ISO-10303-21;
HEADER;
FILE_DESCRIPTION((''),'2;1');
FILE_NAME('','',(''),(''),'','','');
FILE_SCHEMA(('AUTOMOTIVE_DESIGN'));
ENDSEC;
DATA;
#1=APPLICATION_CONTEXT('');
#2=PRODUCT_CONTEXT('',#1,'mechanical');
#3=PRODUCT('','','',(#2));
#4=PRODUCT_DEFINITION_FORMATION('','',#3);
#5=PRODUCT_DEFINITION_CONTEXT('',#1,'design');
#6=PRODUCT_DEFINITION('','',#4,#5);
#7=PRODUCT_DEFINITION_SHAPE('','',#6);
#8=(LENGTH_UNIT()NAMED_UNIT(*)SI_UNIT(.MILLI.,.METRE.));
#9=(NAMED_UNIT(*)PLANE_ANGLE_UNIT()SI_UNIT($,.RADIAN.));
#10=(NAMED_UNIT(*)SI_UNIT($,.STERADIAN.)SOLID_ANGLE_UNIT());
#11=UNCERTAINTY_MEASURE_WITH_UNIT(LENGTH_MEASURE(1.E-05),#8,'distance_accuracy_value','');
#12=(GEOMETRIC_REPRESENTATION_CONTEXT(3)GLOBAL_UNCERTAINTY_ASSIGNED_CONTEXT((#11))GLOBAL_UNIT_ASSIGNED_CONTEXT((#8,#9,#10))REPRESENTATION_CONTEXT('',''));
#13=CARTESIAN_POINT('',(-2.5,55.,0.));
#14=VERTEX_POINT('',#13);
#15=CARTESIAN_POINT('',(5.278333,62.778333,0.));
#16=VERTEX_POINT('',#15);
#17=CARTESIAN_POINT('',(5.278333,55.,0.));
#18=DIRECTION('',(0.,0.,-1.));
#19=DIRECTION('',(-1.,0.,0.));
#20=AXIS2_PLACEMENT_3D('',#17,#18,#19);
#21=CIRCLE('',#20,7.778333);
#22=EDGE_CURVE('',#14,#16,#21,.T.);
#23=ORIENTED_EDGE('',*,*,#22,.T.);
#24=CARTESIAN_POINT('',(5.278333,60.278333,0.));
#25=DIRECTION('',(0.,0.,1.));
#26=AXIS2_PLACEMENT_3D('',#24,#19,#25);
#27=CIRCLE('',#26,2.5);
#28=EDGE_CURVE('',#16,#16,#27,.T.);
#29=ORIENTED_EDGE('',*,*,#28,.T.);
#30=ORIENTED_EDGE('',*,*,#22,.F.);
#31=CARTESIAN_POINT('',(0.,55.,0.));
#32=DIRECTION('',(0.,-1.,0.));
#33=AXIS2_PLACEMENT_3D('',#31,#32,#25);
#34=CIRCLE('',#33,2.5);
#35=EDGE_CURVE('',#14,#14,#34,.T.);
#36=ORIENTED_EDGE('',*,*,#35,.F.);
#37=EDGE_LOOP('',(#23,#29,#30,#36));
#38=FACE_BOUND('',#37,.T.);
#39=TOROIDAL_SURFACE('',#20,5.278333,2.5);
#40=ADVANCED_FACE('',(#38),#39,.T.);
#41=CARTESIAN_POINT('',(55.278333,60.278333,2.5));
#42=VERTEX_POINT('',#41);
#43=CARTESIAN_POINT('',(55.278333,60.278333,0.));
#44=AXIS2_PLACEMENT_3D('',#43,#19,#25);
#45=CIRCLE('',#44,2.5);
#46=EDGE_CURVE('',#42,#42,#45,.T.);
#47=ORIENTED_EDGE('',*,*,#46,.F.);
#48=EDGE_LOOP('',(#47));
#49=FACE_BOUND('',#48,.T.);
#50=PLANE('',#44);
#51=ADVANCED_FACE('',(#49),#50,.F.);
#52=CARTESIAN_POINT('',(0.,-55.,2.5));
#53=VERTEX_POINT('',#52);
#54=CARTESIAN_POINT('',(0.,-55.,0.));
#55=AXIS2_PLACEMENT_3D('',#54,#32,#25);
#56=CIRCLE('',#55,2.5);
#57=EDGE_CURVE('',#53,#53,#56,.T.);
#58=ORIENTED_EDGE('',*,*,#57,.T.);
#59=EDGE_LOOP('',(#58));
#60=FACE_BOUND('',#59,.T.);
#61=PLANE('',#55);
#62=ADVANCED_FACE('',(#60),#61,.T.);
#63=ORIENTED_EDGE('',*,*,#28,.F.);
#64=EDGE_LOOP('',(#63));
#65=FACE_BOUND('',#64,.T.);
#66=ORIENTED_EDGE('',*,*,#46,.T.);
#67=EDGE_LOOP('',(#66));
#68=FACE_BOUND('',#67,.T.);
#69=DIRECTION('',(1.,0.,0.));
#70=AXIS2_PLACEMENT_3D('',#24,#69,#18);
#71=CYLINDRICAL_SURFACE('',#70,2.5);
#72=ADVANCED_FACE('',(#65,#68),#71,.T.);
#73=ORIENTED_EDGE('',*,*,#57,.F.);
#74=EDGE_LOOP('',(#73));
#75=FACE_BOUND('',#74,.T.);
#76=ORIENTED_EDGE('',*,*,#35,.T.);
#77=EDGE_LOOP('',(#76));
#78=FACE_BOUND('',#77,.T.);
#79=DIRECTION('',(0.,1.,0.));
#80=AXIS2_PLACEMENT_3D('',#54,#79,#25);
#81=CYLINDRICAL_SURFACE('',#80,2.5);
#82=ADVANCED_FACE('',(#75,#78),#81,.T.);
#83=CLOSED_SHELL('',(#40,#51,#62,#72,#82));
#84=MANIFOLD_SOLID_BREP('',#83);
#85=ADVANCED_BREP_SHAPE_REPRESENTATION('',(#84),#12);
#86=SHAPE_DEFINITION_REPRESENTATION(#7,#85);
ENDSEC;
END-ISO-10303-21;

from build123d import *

# Parameters (mm, degrees)
VARREDURA1_PROFILE_R = 2.5


with BuildPart() as part:
    # Varredura1: sweep along a path in Esboço1
    with BuildLine(Plane.XY) as varredura1_path:
        Line((0, -55), (0, 55))
        ThreePointArc((0, 55), (1.545987988, 58.732345167), (5.278333155, 60.278333155))
        Line((5.278333155, 60.278333155), (55.278333155, 60.278333155))
    # Varredura1 profile (on start of the path) → Varredura1 (sweep)
    with BuildSketch(Plane.ZX.offset(-55)):
        Circle(VARREDURA1_PROFILE_R)
    sweep(path=varredura1_path.line)


solid = part.part
